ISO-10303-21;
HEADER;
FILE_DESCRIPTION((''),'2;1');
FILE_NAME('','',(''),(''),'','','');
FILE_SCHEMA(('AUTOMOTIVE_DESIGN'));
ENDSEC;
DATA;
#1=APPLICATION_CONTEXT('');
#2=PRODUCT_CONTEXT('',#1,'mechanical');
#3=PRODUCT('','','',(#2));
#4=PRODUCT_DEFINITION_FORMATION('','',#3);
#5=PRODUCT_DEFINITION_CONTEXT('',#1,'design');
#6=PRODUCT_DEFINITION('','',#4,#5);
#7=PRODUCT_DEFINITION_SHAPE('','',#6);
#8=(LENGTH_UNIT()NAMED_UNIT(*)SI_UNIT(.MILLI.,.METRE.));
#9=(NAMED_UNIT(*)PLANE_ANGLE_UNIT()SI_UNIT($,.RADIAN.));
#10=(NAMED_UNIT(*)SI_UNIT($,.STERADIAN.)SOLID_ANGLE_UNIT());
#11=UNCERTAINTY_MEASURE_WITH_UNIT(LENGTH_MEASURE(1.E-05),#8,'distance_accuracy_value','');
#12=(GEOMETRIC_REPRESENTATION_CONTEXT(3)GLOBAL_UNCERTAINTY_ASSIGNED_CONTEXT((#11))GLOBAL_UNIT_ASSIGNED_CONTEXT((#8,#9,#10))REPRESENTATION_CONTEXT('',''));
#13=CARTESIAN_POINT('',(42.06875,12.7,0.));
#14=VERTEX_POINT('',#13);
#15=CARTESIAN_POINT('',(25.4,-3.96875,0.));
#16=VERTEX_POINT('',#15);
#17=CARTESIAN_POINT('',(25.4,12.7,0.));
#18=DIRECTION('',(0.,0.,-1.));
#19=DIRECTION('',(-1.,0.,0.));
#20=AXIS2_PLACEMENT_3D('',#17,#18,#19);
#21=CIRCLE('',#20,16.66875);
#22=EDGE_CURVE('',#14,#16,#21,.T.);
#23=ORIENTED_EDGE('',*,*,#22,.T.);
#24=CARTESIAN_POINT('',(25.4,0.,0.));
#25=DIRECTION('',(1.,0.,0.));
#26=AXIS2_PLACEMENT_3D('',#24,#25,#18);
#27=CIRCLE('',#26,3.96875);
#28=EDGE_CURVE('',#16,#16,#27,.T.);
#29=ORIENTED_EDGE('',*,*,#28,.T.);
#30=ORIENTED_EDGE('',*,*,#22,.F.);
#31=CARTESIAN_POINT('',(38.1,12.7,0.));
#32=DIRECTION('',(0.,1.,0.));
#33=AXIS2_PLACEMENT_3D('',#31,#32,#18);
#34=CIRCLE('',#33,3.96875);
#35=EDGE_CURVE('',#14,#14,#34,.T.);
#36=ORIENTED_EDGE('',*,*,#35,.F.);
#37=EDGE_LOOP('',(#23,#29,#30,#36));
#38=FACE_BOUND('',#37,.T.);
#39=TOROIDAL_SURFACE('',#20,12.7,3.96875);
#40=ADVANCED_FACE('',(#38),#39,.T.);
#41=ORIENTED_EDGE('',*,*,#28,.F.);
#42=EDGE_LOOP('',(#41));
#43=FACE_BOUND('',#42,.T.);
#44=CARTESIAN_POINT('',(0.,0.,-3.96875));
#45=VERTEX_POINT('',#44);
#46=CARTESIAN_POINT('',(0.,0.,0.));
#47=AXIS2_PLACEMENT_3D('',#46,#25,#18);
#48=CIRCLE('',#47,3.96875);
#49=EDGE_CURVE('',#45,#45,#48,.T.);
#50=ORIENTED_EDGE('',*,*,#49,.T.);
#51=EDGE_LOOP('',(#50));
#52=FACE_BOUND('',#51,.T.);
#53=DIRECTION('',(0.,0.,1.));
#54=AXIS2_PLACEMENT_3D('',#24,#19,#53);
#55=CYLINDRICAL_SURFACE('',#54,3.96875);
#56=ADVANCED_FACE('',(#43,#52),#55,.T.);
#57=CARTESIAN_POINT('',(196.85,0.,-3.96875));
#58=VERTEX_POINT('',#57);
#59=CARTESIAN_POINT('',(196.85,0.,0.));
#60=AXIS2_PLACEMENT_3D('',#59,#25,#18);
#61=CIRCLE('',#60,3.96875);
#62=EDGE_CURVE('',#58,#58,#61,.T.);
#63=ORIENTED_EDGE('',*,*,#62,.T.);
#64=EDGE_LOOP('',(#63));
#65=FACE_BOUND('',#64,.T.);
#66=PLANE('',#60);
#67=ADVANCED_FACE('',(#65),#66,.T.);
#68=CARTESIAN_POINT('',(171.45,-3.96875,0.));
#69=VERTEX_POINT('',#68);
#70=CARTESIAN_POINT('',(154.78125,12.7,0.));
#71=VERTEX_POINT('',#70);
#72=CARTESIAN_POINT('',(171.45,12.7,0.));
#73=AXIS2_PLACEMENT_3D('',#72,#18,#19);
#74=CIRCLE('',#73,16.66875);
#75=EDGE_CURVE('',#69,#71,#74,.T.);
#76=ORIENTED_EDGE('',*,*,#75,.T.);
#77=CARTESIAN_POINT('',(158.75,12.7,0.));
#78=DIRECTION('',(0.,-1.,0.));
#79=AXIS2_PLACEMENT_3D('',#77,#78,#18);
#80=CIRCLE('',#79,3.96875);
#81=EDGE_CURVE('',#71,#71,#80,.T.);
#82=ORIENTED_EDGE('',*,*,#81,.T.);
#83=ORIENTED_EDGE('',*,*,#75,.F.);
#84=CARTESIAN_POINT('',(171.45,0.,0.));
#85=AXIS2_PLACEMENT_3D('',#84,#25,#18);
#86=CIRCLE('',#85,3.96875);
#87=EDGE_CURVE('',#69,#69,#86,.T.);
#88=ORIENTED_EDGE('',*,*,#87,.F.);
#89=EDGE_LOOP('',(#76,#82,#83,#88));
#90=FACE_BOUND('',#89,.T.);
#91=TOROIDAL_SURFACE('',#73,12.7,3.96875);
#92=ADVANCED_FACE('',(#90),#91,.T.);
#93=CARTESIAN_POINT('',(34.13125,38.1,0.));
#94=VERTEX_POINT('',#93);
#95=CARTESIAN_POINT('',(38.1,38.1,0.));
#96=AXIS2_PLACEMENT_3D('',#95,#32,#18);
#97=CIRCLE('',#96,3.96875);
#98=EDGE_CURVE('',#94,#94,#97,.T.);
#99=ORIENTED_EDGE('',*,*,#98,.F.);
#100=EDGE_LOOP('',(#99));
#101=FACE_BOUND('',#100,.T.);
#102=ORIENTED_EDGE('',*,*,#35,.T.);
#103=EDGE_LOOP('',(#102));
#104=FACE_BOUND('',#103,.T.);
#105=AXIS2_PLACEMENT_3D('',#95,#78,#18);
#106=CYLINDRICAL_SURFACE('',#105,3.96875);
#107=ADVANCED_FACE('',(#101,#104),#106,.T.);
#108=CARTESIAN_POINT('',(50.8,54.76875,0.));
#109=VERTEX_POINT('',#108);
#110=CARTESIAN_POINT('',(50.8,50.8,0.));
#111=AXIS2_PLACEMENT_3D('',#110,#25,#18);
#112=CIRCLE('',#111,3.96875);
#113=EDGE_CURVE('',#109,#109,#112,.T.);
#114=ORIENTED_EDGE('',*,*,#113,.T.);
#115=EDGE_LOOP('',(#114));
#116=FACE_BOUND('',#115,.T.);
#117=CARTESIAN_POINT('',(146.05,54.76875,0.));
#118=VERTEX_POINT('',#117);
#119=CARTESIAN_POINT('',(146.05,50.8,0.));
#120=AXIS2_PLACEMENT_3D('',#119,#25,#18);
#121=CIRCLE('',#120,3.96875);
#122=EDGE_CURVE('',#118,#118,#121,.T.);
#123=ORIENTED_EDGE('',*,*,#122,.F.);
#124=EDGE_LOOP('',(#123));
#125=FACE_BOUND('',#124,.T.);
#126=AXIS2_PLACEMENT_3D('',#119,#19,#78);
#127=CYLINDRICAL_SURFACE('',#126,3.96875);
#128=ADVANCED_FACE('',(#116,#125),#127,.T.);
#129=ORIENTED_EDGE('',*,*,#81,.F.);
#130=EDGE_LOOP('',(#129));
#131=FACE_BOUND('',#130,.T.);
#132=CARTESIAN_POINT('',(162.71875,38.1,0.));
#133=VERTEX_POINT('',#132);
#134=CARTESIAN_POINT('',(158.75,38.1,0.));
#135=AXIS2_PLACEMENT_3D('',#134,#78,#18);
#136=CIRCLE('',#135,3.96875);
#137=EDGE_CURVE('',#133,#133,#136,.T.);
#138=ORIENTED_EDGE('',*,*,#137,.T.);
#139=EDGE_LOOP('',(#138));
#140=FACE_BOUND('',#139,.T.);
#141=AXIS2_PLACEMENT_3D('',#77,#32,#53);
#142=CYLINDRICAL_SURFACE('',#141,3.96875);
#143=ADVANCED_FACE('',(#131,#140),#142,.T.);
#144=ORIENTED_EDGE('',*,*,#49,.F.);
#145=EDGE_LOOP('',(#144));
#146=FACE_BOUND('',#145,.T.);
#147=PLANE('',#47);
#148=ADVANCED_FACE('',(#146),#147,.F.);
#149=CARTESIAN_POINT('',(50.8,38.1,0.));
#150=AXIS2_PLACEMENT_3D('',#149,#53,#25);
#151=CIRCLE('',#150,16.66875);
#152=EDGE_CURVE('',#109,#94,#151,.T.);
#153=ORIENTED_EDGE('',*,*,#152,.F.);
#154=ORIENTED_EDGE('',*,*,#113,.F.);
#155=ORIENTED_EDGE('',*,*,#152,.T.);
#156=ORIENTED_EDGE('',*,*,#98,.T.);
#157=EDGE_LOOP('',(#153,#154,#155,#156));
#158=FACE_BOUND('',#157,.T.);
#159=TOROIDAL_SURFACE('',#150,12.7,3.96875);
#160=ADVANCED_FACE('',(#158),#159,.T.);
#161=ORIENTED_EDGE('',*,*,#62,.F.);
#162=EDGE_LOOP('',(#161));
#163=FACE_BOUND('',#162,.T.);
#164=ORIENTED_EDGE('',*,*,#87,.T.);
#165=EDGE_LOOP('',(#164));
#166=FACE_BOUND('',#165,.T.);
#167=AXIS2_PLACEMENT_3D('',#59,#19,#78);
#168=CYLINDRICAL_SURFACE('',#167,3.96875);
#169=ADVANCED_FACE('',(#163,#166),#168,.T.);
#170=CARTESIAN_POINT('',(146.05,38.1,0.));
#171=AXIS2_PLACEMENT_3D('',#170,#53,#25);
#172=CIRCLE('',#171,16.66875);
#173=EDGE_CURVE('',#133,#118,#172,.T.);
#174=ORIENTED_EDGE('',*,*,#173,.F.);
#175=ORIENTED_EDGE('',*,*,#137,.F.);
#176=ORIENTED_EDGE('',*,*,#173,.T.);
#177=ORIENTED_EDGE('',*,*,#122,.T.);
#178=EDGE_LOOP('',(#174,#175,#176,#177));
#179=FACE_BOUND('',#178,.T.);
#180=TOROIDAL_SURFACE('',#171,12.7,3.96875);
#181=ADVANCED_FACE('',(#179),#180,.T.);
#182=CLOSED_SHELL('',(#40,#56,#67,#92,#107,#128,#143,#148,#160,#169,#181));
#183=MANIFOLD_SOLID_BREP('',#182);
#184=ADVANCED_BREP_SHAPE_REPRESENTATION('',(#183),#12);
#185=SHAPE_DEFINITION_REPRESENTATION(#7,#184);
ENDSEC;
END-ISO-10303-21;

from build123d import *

# Parameters (mm, degrees)
SKETCH3_R = 3.96875


with BuildPart() as part:
    # Sweep1: sweep along a path in Sketch4
    with BuildLine(Plane.XY) as sweep1_path:
        Line((0, 0), (25.4, 0))
        ThreePointArc((25.4, 0), (34.380256121, 3.719743879), (38.1, 12.7))
        Line((38.1, 12.7), (38.1, 38.1))
        ThreePointArc((38.1, 38.1), (41.819743879, 47.080256121), (50.8, 50.8))
        Line((50.8, 50.8), (146.05, 50.8))
        ThreePointArc((146.05, 50.8), (155.030256121, 47.080256121), (158.75, 38.1))
        Line((158.75, 38.1), (158.75, 12.7))
        ThreePointArc((158.75, 12.7), (162.469743879, 3.719743879), (171.45, 0))
        Line((171.45, 0), (196.85, 0))
    # Sketch3 → Sweep1 (sweep)
    with BuildSketch(Plane(origin=(0, 0, 0), x_dir=(0, 0, -1), z_dir=(1, 0, 0))):
        Circle(SKETCH3_R)
    sweep(path=sweep1_path.line)


solid = part.part
